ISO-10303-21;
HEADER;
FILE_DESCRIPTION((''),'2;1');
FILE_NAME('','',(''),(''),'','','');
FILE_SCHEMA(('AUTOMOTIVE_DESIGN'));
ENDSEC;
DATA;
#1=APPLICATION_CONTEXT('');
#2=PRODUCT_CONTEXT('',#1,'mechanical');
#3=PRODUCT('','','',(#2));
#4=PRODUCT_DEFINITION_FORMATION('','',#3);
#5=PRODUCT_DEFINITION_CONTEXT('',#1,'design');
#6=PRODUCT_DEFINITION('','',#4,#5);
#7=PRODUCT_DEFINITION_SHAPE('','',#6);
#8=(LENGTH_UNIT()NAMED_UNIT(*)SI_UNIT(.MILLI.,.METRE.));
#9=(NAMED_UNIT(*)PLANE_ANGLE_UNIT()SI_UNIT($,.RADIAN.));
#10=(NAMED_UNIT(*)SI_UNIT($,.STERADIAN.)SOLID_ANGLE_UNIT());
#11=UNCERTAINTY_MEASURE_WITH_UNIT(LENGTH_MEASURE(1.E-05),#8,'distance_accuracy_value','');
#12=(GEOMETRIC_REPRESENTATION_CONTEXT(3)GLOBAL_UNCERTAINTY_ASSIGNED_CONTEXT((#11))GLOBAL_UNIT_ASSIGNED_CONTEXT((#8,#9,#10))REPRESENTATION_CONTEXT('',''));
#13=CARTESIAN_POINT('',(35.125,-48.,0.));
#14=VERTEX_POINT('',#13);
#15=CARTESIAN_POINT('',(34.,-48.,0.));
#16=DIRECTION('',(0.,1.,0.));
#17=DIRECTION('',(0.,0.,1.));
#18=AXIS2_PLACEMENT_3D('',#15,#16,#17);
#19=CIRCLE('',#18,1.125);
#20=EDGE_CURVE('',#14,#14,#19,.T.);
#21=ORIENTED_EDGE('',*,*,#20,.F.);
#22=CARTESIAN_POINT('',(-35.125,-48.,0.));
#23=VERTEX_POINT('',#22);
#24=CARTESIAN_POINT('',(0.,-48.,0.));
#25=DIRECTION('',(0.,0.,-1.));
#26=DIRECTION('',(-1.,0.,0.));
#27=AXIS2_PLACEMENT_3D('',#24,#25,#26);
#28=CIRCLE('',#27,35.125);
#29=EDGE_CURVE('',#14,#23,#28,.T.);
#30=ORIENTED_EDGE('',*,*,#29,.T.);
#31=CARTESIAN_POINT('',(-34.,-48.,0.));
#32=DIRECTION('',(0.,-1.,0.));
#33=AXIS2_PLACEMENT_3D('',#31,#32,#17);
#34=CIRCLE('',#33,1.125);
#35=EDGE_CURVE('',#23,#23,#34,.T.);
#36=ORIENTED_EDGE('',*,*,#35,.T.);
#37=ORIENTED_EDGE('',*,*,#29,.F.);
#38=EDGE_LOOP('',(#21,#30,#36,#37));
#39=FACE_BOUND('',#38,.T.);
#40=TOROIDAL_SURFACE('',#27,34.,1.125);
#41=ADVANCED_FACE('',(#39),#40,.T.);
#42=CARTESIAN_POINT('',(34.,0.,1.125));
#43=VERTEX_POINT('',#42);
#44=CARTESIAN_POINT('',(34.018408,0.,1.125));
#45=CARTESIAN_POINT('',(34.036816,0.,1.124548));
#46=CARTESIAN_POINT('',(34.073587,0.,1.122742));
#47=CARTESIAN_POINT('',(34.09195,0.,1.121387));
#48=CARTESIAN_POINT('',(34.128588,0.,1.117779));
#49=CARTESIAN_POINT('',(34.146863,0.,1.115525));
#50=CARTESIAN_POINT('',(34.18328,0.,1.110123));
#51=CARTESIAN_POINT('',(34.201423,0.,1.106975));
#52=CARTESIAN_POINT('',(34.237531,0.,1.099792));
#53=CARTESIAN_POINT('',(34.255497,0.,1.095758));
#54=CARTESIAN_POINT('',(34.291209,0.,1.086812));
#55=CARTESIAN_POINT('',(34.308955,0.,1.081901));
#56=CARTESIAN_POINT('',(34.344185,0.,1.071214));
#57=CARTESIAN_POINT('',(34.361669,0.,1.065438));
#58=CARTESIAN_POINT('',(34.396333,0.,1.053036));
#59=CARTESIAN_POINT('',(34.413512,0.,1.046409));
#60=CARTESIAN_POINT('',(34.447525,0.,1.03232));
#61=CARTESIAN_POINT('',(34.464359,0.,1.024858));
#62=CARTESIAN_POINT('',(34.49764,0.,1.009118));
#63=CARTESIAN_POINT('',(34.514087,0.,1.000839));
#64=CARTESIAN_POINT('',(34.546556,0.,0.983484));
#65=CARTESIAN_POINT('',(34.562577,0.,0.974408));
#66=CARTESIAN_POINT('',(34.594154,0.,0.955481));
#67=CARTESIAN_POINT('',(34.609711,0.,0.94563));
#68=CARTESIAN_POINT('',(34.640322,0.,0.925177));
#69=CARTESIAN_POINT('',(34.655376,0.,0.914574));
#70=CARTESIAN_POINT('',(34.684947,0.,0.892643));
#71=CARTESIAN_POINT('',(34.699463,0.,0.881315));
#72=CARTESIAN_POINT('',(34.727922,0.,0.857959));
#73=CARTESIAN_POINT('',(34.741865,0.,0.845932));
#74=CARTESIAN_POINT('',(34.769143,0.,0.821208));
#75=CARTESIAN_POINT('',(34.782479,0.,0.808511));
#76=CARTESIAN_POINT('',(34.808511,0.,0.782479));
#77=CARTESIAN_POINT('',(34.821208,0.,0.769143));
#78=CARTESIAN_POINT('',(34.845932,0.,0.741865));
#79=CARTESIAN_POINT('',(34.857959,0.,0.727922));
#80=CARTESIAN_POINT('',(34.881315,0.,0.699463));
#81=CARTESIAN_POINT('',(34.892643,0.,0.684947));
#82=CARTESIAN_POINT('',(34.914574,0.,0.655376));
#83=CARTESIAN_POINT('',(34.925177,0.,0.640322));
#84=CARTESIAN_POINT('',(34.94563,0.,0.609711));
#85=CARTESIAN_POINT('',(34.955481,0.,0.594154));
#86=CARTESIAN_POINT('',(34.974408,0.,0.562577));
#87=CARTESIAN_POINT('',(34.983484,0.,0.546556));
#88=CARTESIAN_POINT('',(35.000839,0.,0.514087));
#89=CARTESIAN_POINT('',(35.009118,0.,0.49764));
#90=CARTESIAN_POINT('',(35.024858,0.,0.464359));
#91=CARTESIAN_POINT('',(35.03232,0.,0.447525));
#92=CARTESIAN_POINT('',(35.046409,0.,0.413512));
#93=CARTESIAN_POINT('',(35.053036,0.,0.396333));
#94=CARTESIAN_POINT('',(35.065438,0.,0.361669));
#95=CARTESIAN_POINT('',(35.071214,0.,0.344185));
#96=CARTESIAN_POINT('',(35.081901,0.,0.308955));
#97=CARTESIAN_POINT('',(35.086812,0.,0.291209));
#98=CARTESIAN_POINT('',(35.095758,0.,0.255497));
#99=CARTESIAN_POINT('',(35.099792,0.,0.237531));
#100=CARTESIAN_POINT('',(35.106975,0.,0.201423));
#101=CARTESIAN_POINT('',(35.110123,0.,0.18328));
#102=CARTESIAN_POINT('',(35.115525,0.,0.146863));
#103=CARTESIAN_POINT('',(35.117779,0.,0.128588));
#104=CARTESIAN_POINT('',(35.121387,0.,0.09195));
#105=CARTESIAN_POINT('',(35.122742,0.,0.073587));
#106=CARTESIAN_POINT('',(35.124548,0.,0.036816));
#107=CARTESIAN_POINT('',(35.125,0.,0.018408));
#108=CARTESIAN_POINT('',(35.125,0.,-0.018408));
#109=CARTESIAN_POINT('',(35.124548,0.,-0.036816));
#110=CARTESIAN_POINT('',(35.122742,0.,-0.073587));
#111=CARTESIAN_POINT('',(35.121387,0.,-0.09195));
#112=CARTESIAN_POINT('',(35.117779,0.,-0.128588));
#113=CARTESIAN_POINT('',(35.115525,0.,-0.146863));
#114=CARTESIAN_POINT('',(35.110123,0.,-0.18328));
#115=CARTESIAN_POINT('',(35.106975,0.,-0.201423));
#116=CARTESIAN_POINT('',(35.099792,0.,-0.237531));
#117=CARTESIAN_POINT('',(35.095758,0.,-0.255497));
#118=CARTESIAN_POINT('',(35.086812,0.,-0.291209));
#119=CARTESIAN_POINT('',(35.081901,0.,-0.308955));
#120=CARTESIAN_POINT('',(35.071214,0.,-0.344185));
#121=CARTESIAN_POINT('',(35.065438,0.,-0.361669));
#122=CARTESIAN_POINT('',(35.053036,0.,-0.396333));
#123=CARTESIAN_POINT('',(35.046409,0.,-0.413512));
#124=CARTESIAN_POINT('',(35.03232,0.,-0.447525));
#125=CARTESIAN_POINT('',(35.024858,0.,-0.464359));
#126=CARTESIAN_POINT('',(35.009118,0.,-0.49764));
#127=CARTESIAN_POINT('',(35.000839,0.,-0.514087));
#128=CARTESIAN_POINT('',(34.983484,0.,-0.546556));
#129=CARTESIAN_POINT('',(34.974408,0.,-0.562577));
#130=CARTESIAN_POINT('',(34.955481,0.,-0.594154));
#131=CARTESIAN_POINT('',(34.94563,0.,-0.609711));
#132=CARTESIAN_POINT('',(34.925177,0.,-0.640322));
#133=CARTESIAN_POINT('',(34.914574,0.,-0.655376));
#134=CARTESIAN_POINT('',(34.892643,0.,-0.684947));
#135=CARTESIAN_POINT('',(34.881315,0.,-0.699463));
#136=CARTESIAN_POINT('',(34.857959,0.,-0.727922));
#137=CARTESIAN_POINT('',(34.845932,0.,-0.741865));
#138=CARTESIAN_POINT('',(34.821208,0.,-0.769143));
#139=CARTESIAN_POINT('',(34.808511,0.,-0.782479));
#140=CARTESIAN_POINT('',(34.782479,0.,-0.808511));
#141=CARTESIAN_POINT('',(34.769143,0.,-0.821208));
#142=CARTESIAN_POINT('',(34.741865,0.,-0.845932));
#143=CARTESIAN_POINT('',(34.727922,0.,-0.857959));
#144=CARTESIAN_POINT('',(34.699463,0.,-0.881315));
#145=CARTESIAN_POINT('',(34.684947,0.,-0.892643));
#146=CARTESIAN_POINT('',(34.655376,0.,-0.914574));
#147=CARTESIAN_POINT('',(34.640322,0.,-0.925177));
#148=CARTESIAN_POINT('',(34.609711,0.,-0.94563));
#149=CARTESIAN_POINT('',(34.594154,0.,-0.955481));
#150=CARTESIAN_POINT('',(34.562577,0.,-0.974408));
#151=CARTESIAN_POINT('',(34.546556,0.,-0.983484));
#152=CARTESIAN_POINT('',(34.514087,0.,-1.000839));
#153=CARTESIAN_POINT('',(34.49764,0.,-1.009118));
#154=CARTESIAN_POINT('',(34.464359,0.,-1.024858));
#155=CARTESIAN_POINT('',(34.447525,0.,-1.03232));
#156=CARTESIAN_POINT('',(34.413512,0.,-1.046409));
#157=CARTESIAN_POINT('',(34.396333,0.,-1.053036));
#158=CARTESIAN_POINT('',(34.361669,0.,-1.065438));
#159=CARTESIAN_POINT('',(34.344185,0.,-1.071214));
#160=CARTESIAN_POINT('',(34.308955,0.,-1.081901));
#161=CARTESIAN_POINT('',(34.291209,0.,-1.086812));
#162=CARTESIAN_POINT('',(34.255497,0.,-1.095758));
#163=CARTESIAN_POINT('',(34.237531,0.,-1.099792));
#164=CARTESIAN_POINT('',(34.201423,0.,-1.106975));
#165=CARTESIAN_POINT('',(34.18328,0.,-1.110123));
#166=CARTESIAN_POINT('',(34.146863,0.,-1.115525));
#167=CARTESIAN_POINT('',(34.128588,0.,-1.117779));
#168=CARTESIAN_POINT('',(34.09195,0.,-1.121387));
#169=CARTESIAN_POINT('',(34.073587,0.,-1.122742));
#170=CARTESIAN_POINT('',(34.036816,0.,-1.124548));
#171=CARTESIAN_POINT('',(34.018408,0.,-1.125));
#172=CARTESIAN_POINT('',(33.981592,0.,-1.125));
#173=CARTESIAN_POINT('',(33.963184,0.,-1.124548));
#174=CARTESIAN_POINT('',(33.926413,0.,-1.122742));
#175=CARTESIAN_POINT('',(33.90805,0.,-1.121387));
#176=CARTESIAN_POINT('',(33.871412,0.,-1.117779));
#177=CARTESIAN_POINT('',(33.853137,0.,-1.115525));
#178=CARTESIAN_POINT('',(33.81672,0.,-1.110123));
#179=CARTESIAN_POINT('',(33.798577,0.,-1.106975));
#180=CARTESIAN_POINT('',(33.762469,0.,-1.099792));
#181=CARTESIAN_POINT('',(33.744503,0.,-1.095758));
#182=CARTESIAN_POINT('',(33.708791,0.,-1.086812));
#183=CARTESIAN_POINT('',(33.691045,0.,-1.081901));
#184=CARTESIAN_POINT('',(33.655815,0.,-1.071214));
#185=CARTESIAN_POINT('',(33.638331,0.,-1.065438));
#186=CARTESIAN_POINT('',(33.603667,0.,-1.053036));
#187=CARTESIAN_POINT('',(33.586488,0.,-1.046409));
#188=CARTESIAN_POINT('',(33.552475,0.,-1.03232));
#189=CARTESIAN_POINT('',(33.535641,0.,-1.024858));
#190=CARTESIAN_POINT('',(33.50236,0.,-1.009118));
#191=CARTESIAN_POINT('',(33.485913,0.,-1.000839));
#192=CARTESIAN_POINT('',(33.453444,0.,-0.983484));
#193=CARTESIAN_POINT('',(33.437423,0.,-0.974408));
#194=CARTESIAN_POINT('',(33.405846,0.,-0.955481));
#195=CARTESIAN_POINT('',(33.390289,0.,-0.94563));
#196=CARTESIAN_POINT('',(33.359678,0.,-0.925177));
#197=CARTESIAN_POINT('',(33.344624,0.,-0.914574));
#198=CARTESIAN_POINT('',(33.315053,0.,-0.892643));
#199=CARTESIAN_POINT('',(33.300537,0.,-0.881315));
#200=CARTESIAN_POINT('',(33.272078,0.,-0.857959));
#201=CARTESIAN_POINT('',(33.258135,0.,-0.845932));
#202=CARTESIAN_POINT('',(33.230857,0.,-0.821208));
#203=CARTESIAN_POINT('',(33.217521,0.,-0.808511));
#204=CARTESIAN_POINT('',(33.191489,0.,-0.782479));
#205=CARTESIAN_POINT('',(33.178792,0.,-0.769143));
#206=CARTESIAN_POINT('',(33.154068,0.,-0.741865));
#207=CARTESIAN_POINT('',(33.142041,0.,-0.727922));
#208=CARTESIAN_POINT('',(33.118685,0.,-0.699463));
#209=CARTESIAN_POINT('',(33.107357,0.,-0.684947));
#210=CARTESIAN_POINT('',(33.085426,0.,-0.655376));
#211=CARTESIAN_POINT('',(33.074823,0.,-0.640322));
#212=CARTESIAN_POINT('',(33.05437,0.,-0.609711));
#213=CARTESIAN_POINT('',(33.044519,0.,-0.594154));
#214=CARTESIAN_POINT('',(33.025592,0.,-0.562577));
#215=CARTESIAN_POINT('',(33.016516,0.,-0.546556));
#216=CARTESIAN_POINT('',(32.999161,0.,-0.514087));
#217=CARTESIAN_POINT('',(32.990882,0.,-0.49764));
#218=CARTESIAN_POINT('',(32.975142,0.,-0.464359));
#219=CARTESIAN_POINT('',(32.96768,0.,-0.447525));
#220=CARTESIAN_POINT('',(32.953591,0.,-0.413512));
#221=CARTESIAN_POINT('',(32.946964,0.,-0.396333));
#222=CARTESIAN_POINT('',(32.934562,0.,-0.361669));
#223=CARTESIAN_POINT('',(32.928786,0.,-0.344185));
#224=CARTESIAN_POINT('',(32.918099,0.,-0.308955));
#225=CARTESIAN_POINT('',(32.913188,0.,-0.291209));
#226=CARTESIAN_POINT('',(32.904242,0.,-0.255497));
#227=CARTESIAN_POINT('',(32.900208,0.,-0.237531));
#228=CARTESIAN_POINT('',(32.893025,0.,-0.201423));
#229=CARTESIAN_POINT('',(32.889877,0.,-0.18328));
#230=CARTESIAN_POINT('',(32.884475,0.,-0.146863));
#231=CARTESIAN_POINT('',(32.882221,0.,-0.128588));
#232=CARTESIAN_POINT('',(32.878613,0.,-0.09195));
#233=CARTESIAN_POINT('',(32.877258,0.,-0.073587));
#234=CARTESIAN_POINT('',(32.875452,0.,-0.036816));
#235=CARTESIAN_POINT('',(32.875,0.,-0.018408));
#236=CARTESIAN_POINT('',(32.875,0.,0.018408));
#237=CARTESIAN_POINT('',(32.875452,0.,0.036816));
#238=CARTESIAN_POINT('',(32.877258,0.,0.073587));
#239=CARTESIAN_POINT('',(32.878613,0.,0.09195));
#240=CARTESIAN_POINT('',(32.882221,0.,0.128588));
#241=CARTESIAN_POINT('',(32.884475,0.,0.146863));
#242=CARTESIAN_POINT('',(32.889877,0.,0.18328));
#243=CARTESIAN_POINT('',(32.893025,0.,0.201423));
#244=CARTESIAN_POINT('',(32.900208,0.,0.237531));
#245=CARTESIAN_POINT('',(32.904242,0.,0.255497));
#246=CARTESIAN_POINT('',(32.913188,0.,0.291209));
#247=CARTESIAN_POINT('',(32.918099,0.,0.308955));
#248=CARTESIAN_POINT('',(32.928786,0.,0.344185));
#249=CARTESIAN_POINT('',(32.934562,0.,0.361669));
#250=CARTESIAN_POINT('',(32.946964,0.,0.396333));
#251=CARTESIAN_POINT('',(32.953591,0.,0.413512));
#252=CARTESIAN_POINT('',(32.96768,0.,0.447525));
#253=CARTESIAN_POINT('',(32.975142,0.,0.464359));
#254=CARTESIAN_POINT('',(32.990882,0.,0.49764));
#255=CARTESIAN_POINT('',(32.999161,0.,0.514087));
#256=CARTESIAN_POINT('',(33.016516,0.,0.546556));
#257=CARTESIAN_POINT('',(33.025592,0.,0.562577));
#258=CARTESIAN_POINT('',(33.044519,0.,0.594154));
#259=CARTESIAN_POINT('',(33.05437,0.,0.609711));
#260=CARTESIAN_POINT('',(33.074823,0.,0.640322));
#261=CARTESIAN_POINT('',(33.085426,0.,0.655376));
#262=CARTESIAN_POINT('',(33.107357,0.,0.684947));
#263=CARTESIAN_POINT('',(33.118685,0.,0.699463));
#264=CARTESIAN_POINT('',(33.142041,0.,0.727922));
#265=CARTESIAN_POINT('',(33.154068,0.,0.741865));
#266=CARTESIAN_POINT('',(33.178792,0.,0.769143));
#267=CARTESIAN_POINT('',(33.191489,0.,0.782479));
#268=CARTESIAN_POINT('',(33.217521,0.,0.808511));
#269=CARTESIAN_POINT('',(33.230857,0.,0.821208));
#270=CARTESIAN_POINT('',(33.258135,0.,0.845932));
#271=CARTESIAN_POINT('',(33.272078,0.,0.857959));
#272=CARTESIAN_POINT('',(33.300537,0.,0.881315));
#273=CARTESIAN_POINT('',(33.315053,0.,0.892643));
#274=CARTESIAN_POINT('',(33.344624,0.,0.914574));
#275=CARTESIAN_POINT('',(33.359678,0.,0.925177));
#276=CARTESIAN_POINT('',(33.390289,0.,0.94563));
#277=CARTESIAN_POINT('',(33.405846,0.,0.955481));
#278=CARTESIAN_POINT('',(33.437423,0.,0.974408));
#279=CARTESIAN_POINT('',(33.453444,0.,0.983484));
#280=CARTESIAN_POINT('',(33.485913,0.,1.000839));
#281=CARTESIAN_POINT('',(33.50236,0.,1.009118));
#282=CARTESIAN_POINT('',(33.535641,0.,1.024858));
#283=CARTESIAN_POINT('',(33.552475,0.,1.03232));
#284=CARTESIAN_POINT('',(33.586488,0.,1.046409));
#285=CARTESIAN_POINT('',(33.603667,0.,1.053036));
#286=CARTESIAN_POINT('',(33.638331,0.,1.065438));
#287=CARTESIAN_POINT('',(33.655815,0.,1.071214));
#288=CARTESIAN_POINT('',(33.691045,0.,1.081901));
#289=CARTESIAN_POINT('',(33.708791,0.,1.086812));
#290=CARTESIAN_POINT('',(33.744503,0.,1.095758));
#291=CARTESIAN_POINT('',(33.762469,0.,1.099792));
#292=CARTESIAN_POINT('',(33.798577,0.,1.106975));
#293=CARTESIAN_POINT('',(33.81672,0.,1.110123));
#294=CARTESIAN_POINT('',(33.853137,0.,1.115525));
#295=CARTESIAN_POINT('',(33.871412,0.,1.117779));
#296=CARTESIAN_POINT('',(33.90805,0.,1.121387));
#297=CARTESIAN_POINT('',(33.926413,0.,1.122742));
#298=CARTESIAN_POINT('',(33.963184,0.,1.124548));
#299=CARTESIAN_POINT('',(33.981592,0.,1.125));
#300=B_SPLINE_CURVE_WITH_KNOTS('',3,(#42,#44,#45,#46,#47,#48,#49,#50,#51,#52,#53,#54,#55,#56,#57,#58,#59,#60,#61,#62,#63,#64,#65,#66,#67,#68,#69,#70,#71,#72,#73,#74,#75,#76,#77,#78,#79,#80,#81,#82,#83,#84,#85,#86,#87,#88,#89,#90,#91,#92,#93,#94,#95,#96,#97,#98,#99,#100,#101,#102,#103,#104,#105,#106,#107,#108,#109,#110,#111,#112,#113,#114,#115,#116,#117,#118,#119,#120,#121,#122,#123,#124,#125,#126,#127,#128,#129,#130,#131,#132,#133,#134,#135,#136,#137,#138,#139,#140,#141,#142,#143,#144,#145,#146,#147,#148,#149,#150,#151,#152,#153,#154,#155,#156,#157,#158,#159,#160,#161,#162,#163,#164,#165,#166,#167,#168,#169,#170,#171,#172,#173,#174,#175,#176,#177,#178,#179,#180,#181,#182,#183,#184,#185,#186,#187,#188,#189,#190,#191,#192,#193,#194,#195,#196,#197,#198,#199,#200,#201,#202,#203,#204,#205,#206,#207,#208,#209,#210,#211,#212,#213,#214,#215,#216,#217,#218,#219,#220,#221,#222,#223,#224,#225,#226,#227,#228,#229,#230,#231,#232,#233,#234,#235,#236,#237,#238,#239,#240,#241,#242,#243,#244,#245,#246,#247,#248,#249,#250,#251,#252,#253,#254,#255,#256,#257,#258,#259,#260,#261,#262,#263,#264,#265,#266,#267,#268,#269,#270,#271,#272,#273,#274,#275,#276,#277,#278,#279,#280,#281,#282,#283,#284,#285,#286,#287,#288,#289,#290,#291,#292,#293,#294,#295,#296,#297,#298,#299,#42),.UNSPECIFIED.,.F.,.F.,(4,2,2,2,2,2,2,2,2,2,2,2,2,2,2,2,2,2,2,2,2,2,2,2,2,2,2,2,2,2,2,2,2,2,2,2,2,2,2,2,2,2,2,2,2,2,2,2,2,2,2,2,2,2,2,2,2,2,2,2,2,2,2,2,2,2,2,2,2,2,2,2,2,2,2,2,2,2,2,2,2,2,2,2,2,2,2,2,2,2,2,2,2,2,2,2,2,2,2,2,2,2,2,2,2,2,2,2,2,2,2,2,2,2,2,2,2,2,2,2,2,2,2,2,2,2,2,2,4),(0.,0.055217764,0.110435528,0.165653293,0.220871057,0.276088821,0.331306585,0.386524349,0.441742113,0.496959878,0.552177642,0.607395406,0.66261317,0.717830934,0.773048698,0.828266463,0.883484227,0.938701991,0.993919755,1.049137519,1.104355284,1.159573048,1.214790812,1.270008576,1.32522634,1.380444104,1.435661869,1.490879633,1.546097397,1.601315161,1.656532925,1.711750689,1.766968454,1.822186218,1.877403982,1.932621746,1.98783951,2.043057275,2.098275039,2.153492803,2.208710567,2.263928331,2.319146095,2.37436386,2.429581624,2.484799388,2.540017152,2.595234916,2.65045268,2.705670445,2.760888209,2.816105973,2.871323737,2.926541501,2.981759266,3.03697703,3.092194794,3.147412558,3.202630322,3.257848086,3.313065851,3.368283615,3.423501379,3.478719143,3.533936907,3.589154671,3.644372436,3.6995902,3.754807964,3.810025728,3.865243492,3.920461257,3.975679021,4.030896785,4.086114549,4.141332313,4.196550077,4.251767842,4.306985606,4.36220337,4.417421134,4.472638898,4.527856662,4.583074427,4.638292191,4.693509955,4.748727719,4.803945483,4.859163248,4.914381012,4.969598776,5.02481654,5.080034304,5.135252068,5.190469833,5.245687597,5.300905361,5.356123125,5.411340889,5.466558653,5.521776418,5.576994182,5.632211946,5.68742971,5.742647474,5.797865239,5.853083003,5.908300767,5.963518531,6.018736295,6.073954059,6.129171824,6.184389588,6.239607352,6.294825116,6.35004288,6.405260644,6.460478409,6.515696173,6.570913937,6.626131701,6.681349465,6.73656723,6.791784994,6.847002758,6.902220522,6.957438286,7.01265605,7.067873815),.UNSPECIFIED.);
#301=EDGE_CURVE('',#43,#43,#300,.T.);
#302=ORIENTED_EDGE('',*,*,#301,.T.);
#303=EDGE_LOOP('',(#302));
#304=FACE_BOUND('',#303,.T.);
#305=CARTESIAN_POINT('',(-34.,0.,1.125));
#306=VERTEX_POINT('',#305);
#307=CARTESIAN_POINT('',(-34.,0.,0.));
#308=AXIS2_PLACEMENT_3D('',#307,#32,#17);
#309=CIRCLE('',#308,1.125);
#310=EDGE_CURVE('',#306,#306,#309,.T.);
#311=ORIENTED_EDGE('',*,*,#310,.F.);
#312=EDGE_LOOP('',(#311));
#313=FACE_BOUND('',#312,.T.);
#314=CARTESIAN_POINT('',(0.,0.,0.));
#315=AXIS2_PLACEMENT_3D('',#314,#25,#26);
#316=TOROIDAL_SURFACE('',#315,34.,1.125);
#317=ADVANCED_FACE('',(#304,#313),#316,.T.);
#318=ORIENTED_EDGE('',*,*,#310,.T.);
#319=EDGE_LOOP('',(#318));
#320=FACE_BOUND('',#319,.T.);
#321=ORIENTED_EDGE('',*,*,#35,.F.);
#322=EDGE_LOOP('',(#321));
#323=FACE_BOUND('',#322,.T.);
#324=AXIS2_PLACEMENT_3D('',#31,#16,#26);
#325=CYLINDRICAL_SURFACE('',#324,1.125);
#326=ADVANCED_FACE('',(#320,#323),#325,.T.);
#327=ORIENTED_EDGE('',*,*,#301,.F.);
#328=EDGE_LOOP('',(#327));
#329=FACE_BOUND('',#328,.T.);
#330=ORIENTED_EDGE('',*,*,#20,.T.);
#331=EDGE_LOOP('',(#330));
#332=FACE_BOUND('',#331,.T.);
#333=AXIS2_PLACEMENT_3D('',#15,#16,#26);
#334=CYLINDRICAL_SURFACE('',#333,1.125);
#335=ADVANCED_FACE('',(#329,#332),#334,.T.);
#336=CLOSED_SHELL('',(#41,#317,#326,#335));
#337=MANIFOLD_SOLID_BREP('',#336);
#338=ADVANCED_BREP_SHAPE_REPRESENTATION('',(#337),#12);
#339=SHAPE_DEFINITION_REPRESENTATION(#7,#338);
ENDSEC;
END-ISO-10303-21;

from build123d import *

# Parameters (mm, degrees)
ESQUISSE2_R = 1.125


with BuildPart() as part:
    # Base-Balayage: sweep along a path in Esquisse1
    with BuildLine(Plane.XY) as base_balayage_path:
        Line((-34, 0), (-34, -48))
        ThreePointArc((-34, -48), (0, -82), (34, -48))
        Line((34, -48), (34, 0))
        ThreePointArc((34, 0), (0, 34), (-34, 0))
    # Esquisse2 → Base-Balayage (sweep)
    with BuildSketch(Plane(origin=(0, 0, 0), x_dir=(1, 0, 0), z_dir=(0, 1, 0))):
        with Locations((34, 0)):
            Circle(ESQUISSE2_R)
    sweep(path=base_balayage_path.line)


solid = part.part
